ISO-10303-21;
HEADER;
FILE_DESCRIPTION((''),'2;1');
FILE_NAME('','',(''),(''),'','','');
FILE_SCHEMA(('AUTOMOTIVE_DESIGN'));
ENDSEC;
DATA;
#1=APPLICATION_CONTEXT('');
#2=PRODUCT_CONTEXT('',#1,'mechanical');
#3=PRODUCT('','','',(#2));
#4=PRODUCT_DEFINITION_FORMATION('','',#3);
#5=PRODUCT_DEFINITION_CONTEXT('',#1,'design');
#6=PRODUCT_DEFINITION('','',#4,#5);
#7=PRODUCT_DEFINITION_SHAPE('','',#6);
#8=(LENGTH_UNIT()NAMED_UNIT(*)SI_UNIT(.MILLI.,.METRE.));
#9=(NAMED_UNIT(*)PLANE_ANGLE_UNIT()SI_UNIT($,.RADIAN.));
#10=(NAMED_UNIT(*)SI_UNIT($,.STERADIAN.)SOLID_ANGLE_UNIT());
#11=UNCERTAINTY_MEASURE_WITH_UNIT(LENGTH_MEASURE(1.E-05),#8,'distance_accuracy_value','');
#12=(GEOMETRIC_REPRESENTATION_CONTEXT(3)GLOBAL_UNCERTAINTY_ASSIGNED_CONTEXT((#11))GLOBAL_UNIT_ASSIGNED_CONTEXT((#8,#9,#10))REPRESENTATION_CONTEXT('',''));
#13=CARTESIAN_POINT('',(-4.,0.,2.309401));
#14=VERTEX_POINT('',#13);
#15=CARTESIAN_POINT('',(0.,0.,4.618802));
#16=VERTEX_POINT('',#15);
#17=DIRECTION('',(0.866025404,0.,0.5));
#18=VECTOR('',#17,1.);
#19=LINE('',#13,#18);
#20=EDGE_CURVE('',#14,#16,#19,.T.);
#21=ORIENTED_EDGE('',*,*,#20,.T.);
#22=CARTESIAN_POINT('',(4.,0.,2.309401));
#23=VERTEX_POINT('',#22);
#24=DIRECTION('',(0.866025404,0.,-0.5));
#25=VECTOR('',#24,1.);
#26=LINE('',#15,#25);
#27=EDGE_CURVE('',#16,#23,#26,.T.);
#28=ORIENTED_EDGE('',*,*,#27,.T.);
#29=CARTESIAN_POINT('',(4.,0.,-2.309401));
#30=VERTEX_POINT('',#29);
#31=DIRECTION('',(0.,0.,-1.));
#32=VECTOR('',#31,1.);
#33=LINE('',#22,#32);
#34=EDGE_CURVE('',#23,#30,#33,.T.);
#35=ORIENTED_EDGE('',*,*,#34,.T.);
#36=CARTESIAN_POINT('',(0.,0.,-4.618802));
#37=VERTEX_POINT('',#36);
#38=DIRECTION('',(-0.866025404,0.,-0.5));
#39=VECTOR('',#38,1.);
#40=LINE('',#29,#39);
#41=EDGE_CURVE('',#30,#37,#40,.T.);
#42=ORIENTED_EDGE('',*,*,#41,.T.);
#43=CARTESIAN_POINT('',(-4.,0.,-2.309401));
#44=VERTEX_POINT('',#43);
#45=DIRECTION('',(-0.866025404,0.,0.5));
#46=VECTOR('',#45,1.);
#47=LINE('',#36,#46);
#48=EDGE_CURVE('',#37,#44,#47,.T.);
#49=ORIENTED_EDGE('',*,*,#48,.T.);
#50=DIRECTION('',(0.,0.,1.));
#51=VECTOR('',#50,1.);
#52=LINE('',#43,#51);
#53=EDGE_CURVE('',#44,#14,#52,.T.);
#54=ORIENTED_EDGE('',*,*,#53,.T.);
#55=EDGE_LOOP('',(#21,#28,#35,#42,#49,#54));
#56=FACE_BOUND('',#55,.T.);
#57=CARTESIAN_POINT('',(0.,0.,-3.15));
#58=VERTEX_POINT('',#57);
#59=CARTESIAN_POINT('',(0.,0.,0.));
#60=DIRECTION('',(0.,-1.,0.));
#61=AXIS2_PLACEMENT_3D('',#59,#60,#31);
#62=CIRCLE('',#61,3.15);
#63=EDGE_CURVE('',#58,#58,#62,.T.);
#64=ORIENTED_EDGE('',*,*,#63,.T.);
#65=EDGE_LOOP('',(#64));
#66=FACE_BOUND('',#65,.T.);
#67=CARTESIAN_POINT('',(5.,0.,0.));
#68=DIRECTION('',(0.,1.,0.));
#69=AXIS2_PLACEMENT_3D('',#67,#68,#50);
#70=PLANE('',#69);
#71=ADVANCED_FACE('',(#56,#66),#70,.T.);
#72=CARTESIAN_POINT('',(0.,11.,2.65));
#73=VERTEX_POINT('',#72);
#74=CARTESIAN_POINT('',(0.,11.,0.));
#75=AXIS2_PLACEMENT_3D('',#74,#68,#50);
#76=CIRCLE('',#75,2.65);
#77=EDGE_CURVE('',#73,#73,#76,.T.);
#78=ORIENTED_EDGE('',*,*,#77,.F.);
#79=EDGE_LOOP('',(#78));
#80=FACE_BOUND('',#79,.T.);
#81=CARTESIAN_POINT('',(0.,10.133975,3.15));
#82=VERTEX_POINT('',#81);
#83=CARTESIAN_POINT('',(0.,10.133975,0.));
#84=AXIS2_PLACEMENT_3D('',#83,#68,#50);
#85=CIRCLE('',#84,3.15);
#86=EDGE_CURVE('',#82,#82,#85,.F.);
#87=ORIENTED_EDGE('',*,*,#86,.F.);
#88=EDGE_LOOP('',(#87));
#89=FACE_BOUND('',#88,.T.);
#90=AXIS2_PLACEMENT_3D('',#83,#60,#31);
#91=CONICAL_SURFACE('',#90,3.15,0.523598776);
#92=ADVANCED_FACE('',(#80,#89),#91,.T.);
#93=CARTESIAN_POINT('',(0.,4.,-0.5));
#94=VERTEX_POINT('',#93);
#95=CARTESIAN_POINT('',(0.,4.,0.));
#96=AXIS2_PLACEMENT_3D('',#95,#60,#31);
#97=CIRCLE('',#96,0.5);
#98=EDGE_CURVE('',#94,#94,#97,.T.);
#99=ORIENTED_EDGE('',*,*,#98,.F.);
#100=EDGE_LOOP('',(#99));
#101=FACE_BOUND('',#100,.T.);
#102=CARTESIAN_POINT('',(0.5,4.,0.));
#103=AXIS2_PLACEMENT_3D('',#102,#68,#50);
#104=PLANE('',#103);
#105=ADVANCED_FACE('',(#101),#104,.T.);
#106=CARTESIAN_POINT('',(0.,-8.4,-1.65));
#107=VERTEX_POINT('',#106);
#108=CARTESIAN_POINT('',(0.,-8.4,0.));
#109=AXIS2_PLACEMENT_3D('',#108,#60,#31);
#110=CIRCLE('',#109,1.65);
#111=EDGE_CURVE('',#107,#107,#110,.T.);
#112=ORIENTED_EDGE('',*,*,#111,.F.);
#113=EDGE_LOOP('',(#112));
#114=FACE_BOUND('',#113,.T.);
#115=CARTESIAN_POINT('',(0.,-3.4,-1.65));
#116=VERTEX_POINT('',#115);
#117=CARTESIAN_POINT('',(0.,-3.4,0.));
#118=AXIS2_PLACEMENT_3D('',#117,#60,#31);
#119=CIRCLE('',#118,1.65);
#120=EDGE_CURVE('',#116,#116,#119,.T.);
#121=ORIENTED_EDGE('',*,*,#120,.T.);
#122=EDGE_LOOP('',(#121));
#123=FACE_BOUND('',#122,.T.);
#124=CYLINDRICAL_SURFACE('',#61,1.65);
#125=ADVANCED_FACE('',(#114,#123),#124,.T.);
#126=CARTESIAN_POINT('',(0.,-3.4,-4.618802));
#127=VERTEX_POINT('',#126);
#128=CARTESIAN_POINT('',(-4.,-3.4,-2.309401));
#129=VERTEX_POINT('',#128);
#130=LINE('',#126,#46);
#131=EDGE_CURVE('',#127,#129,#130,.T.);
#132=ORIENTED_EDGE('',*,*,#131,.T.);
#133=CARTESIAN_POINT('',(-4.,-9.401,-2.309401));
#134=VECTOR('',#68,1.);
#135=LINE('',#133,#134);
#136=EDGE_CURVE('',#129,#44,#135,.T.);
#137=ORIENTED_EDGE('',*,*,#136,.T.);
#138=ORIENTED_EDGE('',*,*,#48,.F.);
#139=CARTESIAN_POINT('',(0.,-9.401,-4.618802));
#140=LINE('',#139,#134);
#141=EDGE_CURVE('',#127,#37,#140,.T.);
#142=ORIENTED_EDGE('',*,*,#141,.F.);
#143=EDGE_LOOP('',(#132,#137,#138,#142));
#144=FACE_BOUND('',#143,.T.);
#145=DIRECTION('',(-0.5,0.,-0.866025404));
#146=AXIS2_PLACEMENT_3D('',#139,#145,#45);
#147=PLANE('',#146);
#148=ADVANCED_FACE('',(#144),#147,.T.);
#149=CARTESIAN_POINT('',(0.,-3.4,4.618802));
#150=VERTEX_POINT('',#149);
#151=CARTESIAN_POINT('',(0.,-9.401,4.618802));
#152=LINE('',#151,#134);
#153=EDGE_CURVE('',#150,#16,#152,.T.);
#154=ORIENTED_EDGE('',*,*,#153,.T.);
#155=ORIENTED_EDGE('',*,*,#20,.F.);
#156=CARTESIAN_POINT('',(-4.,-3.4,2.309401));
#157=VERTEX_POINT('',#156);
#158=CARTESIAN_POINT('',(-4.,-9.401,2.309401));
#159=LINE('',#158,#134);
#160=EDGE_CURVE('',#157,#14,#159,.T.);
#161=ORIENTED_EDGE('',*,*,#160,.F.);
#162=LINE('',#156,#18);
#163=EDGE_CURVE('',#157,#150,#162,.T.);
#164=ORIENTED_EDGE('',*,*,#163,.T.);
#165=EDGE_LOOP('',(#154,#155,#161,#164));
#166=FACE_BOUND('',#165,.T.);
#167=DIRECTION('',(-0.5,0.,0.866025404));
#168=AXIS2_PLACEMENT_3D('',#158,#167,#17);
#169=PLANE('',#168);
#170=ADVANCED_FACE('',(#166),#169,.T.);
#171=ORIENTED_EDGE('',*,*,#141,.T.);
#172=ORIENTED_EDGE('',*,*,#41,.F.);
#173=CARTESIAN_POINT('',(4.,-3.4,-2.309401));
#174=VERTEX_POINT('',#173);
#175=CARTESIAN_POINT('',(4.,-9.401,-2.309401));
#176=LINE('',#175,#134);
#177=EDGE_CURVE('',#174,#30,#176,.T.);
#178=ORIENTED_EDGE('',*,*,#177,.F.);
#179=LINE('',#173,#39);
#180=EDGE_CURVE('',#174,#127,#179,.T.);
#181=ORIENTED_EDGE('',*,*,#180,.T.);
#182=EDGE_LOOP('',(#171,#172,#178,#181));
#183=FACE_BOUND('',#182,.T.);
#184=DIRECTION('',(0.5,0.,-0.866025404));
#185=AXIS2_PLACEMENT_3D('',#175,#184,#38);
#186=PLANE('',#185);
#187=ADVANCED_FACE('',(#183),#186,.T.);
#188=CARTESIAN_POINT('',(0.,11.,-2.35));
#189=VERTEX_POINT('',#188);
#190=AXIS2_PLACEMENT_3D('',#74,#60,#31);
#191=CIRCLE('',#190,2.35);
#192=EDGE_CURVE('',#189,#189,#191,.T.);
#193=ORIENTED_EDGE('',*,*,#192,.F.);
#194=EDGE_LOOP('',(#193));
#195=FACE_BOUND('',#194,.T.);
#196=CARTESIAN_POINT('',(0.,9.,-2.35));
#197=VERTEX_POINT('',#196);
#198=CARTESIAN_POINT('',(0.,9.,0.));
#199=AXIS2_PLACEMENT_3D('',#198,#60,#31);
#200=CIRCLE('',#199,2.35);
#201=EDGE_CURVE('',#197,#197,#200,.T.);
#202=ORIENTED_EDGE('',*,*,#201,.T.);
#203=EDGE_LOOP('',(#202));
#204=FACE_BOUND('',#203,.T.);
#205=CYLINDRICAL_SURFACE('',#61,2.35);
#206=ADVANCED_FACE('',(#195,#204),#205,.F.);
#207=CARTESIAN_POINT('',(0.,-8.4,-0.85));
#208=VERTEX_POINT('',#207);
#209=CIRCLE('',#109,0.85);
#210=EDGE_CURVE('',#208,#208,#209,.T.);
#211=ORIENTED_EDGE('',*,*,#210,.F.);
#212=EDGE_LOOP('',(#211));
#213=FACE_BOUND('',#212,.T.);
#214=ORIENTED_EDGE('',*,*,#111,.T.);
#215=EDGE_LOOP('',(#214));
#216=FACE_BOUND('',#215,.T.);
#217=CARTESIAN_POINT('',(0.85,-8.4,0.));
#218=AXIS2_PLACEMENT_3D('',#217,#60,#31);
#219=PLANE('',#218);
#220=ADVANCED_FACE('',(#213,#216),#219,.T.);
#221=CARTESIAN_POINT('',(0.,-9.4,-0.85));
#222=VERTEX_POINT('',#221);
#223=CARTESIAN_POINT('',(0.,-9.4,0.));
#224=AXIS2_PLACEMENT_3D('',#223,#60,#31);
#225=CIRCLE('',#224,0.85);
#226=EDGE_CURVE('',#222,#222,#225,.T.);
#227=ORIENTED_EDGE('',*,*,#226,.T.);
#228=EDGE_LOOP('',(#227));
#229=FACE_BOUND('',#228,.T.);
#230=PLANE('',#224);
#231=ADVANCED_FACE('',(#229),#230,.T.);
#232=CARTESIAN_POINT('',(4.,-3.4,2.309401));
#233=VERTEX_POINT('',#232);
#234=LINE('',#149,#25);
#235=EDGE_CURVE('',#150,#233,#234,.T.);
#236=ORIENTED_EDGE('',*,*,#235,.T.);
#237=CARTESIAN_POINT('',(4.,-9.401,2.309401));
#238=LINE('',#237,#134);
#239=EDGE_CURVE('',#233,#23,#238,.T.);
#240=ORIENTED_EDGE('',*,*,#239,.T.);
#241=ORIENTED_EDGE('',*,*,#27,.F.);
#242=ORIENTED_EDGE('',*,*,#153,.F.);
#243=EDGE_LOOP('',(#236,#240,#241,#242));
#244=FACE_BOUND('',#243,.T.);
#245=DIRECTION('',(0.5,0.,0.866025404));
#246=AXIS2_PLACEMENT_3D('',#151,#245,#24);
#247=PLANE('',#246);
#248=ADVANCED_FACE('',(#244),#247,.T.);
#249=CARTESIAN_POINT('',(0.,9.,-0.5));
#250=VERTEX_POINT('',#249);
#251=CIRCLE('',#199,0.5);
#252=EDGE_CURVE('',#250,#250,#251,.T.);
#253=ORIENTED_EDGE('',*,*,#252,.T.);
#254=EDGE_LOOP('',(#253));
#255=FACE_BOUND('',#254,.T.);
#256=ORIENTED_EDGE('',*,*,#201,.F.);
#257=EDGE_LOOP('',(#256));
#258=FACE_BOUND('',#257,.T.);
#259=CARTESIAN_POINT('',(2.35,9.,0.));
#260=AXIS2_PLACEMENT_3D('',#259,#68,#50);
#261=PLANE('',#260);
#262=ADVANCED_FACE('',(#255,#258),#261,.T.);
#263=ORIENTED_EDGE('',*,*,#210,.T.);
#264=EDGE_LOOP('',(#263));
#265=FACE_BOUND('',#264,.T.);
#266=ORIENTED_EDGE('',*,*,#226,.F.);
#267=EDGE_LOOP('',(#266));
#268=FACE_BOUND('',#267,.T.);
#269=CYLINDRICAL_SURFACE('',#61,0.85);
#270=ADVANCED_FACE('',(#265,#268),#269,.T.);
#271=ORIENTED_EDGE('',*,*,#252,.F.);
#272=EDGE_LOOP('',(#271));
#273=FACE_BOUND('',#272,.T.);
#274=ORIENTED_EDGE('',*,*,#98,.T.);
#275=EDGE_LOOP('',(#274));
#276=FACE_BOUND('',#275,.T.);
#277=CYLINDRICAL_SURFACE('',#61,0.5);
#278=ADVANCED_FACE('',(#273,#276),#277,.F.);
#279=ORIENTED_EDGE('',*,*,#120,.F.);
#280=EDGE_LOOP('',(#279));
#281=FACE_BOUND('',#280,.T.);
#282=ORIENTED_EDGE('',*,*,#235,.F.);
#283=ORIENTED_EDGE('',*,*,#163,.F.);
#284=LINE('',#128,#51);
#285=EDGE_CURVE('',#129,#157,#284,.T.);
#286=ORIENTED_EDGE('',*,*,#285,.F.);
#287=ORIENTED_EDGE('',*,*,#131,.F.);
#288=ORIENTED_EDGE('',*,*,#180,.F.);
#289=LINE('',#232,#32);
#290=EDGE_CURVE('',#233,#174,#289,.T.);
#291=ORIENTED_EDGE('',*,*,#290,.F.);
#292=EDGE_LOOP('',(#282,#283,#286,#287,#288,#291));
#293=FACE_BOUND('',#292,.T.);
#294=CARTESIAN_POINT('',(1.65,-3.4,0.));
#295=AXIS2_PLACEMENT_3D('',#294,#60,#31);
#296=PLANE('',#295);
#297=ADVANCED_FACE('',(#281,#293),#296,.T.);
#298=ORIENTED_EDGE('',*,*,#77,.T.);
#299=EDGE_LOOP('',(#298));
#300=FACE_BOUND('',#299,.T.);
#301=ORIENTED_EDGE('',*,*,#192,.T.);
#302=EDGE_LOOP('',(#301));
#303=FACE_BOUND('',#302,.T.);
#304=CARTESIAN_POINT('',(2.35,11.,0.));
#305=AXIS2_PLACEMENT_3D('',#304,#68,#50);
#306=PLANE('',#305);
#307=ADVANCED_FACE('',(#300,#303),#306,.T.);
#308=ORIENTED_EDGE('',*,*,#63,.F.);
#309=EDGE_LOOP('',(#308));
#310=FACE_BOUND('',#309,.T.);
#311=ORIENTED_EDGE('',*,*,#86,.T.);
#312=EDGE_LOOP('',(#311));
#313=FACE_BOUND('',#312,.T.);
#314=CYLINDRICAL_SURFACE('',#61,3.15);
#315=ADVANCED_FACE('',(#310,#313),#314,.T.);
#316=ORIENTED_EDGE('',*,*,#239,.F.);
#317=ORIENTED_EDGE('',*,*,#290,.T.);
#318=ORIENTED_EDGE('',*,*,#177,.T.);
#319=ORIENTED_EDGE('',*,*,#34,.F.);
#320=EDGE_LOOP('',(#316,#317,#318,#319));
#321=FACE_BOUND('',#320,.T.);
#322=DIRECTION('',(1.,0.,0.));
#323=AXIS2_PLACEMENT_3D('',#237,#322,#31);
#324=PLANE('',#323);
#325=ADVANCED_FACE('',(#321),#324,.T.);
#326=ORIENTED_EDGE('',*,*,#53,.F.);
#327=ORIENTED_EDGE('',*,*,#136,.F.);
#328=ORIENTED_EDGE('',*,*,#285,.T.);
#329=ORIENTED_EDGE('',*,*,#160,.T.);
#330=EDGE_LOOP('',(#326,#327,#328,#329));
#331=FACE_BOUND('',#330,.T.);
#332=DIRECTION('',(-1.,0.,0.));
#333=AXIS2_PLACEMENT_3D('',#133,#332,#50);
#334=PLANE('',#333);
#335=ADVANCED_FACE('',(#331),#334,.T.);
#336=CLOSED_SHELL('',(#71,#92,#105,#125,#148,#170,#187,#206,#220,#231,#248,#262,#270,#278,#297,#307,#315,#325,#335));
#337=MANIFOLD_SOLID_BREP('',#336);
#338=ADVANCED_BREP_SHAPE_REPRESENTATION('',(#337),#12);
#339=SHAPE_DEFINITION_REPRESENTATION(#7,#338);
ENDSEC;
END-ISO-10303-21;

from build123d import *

# Parameters (mm, degrees)
CHAMFER_1_SIZE      = 0.5
CHAMFER_1_SIZE2     = 0.866025404
CUT_EXTRUDE_1_REACH = 15.077
SKETCH_2_R          = 5


with BuildPart() as part:
    # Эскиз1 → Повернуть1 (revolve)
    with BuildSketch(Plane.XY, mode=Mode.PRIVATE) as revolve_1_sk:
        Polygon((2.35, 11), (2.35, 9), (0.5, 9), (0.5, 4), (0, 4), (0, -9.4), (0.85, -9.4), (0.85, -8.4), (1.65, -8.4), (1.65, -3.4), (5, -3.4), (5, 0), (3.15, 0), (3.15, 11), align=None)
    revolve(revolve_1_sk.sketch.rotate(Axis((0, 0, 0), (0, 1, 0)), 90), axis=Axis((0, 0, 0), (0, 1, 0)))

    # Фаска1
    chamfer_1_edges = [part.edges().sort_by_distance(p)[0] for p in [
        (0, 11, 3.15),
    ]]
    chamfer_1_side = [part.faces().sort_by_distance(p)[0] for p in [
        (0, 11, 3.060904546),
    ]]
    chamfer(chamfer_1_edges, length=CHAMFER_1_SIZE, length2=CHAMFER_1_SIZE2, reference=chamfer_1_side[0])

    # Эскиз2 → Вырез-Вытянуть1 (cut, up to next)
    with BuildSketch(Plane(origin=(0, 0, 0), x_dir=(1, 0, 0), z_dir=(0, 1, 0)), mode=Mode.PRIVATE) as cut_extrude_1_sk1:
        Circle(SKETCH_2_R)
        Polygon((-4, 2.309401077), (-4, -2.309401077), (0, -4.618802154), (4, -2.309401077), (4, 2.309401077), (0, 4.618802154), align=None, mode=Mode.SUBTRACT)
    cut_extrude_1_tool1 = extrude(cut_extrude_1_sk1.sketch, amount=-CUT_EXTRUDE_1_REACH, mode=Mode.PRIVATE) & part.part
    add(cut_extrude_1_tool1.solids().sort_by_distance((-4.858579, 0, 0))[0], mode=Mode.SUBTRACT)


solid = part.part
